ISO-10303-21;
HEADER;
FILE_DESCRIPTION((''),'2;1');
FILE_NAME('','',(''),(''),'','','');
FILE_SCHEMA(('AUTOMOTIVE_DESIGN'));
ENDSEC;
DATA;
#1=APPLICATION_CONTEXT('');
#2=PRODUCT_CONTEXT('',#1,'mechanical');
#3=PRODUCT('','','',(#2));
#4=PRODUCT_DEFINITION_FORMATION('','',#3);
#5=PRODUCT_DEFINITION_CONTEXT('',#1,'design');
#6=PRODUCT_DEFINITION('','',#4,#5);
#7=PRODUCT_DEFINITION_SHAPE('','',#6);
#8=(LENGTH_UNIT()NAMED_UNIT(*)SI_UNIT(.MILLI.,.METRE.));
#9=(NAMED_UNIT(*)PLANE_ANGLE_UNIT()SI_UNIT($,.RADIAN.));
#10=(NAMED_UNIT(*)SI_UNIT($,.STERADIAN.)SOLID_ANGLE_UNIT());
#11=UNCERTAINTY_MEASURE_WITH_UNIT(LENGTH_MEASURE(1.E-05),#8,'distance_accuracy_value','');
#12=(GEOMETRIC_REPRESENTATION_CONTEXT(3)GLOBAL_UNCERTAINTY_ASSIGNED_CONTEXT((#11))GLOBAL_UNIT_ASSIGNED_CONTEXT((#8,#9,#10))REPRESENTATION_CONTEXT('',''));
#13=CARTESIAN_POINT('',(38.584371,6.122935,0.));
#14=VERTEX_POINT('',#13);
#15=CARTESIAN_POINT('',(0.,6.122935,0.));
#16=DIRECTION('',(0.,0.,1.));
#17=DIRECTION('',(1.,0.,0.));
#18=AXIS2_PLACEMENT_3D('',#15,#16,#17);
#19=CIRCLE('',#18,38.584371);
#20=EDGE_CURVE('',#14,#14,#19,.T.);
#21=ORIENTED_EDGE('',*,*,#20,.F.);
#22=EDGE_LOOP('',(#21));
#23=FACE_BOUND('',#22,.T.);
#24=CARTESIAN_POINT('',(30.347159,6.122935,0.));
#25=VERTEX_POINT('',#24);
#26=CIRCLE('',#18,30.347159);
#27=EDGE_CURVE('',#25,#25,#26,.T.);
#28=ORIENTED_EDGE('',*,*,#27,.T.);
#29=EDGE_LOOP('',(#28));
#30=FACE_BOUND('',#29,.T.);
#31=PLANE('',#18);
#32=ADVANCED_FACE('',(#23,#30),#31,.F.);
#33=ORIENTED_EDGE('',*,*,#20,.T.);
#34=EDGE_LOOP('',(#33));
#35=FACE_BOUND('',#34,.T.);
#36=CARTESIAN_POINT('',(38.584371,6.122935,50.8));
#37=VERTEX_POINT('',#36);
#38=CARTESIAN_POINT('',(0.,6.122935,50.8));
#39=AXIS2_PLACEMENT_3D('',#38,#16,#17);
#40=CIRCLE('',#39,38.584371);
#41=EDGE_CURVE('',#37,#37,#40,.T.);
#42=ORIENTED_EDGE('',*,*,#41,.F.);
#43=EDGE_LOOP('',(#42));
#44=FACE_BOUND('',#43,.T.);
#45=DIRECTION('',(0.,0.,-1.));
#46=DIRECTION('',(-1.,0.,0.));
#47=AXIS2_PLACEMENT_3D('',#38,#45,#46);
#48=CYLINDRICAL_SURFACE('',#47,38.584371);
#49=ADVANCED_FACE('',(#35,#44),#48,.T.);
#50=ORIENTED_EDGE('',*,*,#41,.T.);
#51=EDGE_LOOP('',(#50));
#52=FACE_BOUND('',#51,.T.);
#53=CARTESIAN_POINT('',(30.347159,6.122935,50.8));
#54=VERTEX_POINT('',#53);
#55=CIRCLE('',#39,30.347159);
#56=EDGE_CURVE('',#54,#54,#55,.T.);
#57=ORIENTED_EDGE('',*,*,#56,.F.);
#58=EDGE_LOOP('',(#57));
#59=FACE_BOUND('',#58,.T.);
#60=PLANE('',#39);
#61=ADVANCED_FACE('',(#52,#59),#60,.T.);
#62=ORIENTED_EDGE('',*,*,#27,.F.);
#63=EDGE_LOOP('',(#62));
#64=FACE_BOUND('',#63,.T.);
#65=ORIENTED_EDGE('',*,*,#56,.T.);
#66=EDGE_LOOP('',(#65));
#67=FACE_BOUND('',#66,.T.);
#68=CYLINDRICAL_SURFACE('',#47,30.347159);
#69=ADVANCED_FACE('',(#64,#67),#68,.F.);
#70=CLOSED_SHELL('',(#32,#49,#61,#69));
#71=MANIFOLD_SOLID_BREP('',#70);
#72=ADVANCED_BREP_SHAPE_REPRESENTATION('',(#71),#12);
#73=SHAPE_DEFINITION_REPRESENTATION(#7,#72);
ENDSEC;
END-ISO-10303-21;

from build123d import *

# Parameters (mm, degrees)
SKETCH1_R           = 38.584371226
SKETCH1_R_2         = 30.347159063
BOSS_EXTRUDE1_DEPTH = 50.8


with BuildPart() as part:
    # Sketch1 → Boss-Extrude1 (new body)
    with BuildSketch(Plane.XY):
        with Locations((0, 6.122935479)):
            Circle(SKETCH1_R)
        with Locations((0, 6.122935479)):
            Circle(SKETCH1_R_2, mode=Mode.SUBTRACT)
    extrude(amount=BOSS_EXTRUDE1_DEPTH)


solid = part.part
